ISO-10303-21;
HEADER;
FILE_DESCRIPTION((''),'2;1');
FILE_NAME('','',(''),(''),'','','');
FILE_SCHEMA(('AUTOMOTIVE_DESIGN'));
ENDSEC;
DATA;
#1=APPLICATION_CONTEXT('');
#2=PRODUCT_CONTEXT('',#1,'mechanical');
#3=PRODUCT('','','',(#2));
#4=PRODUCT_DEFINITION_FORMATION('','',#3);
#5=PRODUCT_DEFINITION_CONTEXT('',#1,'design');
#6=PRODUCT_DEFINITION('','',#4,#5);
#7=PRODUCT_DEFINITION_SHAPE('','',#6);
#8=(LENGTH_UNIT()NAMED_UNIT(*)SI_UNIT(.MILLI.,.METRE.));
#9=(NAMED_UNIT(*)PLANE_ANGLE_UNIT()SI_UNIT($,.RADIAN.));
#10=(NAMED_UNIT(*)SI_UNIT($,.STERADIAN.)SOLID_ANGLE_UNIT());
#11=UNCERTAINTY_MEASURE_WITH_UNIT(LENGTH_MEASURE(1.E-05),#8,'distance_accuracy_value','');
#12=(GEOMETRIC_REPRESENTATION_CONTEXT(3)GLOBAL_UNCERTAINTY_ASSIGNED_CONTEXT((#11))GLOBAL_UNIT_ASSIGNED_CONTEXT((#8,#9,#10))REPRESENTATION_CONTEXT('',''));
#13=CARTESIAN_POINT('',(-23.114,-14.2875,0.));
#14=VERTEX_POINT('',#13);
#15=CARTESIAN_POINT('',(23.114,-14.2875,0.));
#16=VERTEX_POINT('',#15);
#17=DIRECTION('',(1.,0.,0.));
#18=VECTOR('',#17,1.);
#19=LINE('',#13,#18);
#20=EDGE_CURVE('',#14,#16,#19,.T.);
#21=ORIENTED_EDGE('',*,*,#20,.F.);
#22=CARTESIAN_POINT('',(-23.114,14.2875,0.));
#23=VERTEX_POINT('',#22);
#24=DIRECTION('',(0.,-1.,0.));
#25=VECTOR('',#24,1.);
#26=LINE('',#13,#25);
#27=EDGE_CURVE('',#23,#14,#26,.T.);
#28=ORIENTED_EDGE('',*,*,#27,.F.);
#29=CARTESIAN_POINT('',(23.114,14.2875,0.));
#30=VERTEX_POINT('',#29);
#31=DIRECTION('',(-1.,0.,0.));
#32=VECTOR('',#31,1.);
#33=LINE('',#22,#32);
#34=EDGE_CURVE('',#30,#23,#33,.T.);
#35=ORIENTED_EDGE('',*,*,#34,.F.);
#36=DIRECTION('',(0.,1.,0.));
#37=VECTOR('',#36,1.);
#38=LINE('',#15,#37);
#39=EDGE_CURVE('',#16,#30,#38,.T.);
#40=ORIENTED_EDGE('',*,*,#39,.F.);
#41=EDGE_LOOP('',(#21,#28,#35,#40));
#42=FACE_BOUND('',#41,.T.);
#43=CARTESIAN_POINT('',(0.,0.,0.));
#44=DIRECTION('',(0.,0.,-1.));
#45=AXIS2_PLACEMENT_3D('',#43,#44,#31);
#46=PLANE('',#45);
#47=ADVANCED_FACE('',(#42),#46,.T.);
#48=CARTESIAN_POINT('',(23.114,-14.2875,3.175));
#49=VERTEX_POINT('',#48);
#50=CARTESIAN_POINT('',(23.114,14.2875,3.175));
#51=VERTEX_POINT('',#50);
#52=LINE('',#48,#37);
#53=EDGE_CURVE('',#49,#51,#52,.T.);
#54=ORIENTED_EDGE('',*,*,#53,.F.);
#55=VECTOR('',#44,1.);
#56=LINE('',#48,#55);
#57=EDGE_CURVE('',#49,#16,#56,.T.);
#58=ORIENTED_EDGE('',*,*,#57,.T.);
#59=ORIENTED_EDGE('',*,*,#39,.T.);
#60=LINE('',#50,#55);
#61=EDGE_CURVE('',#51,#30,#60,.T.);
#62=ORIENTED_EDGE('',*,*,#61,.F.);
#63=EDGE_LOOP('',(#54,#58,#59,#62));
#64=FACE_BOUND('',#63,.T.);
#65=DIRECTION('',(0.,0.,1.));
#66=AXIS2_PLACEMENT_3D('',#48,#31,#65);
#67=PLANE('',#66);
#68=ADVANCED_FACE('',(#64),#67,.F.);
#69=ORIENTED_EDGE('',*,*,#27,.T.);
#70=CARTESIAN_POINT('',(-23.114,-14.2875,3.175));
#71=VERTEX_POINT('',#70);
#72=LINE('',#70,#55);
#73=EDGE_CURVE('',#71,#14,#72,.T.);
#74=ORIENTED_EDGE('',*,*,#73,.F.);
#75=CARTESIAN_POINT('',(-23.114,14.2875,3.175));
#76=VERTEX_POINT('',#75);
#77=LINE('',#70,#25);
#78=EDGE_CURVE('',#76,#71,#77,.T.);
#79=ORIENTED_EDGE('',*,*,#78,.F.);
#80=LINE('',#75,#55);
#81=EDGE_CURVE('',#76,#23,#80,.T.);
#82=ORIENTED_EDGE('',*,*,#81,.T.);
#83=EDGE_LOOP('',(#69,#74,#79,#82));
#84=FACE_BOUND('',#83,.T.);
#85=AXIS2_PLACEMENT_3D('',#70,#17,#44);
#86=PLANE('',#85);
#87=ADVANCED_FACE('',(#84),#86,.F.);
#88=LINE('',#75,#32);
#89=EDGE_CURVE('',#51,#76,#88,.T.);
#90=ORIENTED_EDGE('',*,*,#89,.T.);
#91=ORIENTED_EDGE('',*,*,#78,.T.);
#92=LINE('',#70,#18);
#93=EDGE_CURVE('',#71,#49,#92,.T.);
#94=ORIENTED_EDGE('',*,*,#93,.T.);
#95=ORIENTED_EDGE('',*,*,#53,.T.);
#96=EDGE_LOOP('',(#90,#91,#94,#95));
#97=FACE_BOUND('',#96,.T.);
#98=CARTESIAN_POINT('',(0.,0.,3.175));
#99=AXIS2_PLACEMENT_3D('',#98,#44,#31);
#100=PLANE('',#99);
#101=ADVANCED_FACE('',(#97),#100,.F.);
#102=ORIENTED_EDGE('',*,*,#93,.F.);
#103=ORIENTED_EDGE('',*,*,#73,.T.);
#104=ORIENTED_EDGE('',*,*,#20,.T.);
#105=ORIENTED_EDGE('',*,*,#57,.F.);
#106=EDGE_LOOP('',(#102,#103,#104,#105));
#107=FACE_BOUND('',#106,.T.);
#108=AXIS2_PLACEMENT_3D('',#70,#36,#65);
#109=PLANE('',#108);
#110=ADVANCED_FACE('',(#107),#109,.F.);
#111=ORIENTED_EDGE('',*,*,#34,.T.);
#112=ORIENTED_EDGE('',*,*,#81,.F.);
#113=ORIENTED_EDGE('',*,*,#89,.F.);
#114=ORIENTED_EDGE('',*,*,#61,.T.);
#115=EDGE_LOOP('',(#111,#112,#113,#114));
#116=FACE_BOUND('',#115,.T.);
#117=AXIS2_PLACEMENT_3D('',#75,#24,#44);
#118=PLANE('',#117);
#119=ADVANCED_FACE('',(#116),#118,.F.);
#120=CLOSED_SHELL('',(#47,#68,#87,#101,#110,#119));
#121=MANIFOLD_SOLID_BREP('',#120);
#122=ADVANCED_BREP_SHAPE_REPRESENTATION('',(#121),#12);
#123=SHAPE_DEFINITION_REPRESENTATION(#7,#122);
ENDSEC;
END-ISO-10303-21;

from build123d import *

# Parameters (mm, degrees)
SKETCH1_W           = 46.228
SKETCH1_H           = 28.575
BOSS_EXTRUDE1_DEPTH = 3.175


with BuildPart() as part:
    # Sketch1 → Boss-Extrude1 (new body)
    with BuildSketch(Plane.XY):
        Rectangle(SKETCH1_W, SKETCH1_H)
    extrude(amount=BOSS_EXTRUDE1_DEPTH)


solid = part.part
